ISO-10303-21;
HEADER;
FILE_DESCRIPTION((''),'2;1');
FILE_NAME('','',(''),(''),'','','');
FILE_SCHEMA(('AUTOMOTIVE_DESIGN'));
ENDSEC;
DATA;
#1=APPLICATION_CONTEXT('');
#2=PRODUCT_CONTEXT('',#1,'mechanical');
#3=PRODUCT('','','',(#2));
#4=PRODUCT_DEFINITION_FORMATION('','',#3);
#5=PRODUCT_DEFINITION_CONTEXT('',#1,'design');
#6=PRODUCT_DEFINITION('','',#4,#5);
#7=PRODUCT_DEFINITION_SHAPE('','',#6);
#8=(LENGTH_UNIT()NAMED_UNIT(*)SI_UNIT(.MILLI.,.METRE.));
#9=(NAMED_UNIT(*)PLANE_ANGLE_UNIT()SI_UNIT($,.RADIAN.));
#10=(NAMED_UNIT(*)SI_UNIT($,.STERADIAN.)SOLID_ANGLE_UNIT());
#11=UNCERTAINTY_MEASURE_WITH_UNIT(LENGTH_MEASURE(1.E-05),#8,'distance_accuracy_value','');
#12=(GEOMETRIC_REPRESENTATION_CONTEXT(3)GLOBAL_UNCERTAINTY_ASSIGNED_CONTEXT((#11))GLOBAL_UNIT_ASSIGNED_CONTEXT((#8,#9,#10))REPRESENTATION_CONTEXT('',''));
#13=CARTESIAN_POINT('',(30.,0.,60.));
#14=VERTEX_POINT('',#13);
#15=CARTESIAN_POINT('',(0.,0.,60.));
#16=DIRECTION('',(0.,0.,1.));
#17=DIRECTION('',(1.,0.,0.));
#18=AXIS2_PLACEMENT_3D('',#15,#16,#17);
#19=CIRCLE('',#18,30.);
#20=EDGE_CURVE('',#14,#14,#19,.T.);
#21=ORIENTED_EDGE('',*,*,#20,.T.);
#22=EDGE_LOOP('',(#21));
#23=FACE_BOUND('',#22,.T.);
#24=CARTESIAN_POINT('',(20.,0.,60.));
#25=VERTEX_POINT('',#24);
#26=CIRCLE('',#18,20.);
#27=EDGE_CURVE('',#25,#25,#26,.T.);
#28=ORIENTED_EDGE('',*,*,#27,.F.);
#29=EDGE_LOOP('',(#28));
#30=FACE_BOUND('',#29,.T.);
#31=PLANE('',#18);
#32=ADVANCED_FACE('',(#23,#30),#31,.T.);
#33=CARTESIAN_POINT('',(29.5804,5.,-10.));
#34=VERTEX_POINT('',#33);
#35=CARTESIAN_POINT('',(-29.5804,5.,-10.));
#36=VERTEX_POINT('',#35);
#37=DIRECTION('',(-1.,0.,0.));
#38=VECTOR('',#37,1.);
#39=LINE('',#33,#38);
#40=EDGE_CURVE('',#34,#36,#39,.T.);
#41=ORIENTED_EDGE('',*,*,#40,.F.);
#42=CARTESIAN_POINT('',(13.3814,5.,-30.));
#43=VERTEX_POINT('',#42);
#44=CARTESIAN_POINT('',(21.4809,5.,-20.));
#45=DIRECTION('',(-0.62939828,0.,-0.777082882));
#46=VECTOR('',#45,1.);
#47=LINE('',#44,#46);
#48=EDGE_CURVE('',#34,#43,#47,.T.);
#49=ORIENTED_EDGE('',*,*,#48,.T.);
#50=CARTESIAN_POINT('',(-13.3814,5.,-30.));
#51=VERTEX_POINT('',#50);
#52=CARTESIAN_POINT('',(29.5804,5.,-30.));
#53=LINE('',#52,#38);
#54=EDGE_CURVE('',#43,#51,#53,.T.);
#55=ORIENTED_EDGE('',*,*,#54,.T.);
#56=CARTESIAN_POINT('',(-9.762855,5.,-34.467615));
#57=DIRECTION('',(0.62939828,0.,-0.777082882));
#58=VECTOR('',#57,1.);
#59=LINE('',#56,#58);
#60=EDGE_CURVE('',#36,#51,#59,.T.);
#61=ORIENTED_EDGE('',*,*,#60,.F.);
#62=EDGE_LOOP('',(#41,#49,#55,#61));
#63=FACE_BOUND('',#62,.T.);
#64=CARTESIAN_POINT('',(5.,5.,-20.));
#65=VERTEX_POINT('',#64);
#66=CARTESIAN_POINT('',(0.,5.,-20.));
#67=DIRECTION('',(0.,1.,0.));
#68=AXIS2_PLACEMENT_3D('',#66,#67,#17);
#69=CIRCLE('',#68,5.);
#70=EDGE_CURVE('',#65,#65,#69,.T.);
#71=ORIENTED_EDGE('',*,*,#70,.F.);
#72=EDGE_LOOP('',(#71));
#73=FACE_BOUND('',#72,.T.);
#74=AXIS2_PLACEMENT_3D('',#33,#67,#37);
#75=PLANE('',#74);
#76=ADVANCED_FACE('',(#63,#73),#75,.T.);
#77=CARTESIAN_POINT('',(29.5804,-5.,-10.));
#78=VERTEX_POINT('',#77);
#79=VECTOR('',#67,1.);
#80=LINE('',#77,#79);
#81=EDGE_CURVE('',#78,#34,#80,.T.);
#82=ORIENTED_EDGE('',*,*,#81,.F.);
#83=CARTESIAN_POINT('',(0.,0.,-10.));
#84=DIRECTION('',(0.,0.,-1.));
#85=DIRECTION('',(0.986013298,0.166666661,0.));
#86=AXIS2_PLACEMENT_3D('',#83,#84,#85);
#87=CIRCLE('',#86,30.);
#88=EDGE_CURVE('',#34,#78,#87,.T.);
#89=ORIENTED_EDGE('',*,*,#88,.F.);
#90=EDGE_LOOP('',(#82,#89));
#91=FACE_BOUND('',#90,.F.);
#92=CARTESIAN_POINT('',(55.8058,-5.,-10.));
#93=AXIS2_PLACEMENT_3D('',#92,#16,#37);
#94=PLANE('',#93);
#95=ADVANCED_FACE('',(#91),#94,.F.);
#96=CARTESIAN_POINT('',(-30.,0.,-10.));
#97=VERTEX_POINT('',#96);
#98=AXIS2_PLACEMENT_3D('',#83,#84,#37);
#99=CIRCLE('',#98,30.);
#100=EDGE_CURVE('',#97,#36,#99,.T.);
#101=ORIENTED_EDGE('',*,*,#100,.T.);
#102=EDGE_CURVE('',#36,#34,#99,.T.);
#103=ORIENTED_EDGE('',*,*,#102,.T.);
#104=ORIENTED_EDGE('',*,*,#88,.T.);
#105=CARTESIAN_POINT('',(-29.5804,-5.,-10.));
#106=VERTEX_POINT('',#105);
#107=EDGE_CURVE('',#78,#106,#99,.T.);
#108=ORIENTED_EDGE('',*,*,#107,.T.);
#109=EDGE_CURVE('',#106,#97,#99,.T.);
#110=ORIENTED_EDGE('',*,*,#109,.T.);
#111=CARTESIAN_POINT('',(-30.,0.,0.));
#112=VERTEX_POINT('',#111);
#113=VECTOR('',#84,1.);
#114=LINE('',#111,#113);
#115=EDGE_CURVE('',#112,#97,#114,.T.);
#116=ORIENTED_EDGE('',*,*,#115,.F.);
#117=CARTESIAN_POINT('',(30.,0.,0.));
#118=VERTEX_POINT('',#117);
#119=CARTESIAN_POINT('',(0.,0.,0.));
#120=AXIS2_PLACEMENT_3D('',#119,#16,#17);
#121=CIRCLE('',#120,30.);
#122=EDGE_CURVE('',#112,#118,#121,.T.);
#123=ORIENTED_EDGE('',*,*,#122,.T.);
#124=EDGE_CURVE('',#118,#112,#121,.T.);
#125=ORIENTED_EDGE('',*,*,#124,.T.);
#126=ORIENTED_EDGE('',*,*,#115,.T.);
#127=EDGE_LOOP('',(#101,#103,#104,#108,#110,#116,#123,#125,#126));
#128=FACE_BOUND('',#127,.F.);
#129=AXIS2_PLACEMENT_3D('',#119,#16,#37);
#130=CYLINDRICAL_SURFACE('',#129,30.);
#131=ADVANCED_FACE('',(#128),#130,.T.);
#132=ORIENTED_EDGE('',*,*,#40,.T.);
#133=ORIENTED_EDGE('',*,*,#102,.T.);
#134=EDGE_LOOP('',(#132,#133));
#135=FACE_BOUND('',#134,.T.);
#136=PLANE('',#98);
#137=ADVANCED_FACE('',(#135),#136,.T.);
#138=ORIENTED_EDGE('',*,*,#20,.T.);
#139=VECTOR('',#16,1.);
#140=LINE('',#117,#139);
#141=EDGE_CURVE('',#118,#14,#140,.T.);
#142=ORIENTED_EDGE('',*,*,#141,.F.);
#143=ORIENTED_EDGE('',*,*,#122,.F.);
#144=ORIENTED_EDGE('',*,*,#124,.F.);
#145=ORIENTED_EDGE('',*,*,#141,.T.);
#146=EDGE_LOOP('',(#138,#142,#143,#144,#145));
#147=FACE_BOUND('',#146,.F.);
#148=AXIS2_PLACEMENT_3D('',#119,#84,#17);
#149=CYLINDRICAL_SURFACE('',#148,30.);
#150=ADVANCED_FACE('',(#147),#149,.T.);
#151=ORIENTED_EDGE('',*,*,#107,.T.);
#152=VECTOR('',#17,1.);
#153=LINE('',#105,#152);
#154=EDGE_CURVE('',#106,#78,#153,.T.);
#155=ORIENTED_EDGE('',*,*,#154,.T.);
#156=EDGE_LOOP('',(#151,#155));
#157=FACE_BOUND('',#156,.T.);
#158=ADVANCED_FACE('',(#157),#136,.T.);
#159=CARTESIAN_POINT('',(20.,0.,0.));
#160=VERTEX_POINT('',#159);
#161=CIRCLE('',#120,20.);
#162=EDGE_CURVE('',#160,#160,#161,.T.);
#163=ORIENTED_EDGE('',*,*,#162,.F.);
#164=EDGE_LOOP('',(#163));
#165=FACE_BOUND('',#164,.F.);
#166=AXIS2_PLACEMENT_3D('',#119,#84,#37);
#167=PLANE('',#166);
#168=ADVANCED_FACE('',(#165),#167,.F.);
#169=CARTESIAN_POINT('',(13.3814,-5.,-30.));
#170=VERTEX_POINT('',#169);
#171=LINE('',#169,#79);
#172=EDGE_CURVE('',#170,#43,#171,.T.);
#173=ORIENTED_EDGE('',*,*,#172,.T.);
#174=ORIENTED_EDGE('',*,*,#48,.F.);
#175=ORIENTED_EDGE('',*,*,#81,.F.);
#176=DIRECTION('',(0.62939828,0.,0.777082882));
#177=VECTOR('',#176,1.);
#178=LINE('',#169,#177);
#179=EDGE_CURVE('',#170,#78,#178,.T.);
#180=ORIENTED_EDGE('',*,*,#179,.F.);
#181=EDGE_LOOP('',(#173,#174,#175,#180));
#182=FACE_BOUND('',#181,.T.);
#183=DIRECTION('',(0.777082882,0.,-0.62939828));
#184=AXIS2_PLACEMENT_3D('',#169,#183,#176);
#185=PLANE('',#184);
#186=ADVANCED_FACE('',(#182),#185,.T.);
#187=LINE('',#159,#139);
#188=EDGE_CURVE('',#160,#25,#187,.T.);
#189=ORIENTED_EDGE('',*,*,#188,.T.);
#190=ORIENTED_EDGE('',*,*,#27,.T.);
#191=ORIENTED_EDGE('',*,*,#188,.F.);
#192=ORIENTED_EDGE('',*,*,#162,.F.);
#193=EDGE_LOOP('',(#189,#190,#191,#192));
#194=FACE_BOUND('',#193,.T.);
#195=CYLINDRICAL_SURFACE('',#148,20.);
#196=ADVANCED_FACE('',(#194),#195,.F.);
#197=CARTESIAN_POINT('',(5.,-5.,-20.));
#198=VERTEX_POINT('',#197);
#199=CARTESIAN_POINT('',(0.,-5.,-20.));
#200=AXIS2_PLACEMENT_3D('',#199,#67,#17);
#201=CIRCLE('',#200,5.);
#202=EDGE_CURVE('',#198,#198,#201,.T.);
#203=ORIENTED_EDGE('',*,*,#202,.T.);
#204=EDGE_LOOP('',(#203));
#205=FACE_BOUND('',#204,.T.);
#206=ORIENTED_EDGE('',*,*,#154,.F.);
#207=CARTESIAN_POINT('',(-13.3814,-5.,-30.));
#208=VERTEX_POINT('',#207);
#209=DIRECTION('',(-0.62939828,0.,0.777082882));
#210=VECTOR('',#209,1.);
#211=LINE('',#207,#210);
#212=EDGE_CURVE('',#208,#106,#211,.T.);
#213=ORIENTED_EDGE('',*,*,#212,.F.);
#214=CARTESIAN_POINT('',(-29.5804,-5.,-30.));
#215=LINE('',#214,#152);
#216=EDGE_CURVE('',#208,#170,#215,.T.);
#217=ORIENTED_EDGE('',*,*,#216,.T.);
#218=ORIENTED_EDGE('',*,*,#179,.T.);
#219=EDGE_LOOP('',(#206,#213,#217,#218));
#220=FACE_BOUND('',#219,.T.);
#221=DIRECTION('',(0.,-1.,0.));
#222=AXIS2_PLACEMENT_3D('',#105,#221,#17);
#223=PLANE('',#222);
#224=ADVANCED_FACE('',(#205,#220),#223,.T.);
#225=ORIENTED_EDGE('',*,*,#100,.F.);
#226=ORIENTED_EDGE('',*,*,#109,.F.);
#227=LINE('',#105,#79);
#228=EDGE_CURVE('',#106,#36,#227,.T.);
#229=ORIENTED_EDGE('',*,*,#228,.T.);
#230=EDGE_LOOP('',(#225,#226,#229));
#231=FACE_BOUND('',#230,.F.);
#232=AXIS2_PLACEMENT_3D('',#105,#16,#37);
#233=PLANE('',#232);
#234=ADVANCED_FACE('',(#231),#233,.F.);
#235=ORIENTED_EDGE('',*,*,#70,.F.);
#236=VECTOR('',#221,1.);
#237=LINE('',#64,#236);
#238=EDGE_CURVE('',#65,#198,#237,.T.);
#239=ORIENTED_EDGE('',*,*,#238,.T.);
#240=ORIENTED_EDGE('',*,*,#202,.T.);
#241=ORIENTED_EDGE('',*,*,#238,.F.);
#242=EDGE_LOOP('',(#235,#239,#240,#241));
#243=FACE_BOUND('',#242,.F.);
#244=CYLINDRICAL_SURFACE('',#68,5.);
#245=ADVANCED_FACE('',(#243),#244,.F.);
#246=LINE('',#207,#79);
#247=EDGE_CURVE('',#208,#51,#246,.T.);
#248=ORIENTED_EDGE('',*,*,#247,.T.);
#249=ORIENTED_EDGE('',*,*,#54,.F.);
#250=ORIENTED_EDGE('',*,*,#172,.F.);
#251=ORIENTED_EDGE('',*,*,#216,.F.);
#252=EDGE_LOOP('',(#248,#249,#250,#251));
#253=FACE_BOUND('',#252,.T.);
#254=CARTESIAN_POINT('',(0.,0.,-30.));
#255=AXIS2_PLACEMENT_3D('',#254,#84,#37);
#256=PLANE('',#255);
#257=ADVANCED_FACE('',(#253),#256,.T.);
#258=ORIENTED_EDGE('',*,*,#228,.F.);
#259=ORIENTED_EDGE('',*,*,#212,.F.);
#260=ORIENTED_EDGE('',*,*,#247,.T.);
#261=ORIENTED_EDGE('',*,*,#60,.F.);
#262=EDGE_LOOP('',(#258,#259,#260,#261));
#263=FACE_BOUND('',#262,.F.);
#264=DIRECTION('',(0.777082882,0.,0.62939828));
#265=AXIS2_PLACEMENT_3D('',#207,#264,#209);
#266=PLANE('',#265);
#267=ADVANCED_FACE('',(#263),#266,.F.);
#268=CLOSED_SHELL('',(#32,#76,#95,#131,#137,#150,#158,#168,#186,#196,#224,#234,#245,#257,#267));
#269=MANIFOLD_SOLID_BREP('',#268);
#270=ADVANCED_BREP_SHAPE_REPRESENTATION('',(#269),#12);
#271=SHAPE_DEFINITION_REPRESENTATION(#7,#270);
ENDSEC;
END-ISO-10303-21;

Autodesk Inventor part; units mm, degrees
ref_plane "YZ Plane" through (0, 0, 0) normal (1, 0, 0) x (0, 1, 0)
ref_plane "XZ Plane" through (0, 0, 0) normal (0, 1, 0) x (-1, 0, 0)
ref_plane "XY Plane" through (0, 0, 0) normal (0, 0, 1) x (1, 0, 0)
sketch "Эскиз1" plane through (0, 0, 0) normal (0, 0, 1) x (1, 0, 0)
  circle A0 centre (0, 0) radius 20
  circle A1 centre (0, 0) radius 30
  dimension "d0" = 40
  dimension "d1" = 10
extrude "Выдавливание1" add sketch "Эскиз1" along normal blind 60
sketch "Эскиз2" plane through (0, 0, 0) normal (0, 0, -1) x (-1, 0, 0)
  circle A0 centre (0, 0) radius 30 projected
extrude "Выдавливание2" add sketch "Эскиз2" along normal blind 10
sketch "Эскиз3" plane through (0, 0, -10) normal (0, 0, -1) x (-1, 0, 0)
  circle A0 centre (0, 0) radius 30 projected
  line L0 (-29.5804, 5) -> (29.5804, 5)
  line L1 (29.5804, -5) -> (-29.5804, -5)
  line L2 (42, 0) -> (-42, 0) projected
  dimension "d7" = 10
extrude "Выдавливание3" add sketch "Эскиз3" along normal blind 20 contours L2 A0 L0 | A0 L1 L2
sketch "Эскиз4" plane through (-29.5804, 5, -10) normal (0, 1, 0) x (1, 0, 0)
  line L0 (59.1608, 0) -> (0, 0) projected
  line L1 (59.1608, 0) -> (59.1608, 20) projected
  line L2 (0, 20) -> (59.1608, 20) projected
  line L3 (0, 0) -> (0, 20) projected
  line L4 (59.1608, 0) -> (59.1608, 20) projected
  line L5 (0, 0) -> (59.1608, 0) projected
  line L6 (0, 0) -> (0, 20) projected
  line L7 (0, 20) -> (59.1608, 20) projected
  circle A0 centre (29.5804, 10) radius 5
  point P0 (29.5804, -10)
  dimension "d11" = 10
extrude "Выдавливание4" cut sketch "Эскиз4" along normal through all both and the other way through all contours A0
sketch "Эскиз5" plane through (-29.5804, -5, -10) normal (0, -1, 0) x (1, 0, 0)
  circle A0 centre (29.5804, -10) radius 5 projected
  line L0 (59.1608, -20) -> (0, -20) projected
  line L1 (0, 0) -> (59.1608, 0) projected
  line L2 (0, 0) -> (0, -20) projected
  line L3 (16.199, -20) -> (0, 0)
  line L4 (0, 0) -> (-30.1779, 0)
  line L5 (-30.1779, 0) -> (-30.1779, -20)
  line L6 (-30.1779, -20) -> (16.199, -20)
  line L7 (42.9618, -20) -> (59.1608, 0)
  line L8 (85.3862, 0) -> (85.3862, -20)
  line L9 (85.3862, -20) -> (42.9618, -20)
  line L10 (85.3862, 0) -> (59.1608, 0)
  point P0 (29.5804, 10)
extrude "Выдавливание5" cut sketch "Эскиз5" against normal through all contours L0 L7 L10 L8 L9 | L0 L2 L3 | L6 L5 L4 L2
properties part number "стакан_v2" material "Сталь"
